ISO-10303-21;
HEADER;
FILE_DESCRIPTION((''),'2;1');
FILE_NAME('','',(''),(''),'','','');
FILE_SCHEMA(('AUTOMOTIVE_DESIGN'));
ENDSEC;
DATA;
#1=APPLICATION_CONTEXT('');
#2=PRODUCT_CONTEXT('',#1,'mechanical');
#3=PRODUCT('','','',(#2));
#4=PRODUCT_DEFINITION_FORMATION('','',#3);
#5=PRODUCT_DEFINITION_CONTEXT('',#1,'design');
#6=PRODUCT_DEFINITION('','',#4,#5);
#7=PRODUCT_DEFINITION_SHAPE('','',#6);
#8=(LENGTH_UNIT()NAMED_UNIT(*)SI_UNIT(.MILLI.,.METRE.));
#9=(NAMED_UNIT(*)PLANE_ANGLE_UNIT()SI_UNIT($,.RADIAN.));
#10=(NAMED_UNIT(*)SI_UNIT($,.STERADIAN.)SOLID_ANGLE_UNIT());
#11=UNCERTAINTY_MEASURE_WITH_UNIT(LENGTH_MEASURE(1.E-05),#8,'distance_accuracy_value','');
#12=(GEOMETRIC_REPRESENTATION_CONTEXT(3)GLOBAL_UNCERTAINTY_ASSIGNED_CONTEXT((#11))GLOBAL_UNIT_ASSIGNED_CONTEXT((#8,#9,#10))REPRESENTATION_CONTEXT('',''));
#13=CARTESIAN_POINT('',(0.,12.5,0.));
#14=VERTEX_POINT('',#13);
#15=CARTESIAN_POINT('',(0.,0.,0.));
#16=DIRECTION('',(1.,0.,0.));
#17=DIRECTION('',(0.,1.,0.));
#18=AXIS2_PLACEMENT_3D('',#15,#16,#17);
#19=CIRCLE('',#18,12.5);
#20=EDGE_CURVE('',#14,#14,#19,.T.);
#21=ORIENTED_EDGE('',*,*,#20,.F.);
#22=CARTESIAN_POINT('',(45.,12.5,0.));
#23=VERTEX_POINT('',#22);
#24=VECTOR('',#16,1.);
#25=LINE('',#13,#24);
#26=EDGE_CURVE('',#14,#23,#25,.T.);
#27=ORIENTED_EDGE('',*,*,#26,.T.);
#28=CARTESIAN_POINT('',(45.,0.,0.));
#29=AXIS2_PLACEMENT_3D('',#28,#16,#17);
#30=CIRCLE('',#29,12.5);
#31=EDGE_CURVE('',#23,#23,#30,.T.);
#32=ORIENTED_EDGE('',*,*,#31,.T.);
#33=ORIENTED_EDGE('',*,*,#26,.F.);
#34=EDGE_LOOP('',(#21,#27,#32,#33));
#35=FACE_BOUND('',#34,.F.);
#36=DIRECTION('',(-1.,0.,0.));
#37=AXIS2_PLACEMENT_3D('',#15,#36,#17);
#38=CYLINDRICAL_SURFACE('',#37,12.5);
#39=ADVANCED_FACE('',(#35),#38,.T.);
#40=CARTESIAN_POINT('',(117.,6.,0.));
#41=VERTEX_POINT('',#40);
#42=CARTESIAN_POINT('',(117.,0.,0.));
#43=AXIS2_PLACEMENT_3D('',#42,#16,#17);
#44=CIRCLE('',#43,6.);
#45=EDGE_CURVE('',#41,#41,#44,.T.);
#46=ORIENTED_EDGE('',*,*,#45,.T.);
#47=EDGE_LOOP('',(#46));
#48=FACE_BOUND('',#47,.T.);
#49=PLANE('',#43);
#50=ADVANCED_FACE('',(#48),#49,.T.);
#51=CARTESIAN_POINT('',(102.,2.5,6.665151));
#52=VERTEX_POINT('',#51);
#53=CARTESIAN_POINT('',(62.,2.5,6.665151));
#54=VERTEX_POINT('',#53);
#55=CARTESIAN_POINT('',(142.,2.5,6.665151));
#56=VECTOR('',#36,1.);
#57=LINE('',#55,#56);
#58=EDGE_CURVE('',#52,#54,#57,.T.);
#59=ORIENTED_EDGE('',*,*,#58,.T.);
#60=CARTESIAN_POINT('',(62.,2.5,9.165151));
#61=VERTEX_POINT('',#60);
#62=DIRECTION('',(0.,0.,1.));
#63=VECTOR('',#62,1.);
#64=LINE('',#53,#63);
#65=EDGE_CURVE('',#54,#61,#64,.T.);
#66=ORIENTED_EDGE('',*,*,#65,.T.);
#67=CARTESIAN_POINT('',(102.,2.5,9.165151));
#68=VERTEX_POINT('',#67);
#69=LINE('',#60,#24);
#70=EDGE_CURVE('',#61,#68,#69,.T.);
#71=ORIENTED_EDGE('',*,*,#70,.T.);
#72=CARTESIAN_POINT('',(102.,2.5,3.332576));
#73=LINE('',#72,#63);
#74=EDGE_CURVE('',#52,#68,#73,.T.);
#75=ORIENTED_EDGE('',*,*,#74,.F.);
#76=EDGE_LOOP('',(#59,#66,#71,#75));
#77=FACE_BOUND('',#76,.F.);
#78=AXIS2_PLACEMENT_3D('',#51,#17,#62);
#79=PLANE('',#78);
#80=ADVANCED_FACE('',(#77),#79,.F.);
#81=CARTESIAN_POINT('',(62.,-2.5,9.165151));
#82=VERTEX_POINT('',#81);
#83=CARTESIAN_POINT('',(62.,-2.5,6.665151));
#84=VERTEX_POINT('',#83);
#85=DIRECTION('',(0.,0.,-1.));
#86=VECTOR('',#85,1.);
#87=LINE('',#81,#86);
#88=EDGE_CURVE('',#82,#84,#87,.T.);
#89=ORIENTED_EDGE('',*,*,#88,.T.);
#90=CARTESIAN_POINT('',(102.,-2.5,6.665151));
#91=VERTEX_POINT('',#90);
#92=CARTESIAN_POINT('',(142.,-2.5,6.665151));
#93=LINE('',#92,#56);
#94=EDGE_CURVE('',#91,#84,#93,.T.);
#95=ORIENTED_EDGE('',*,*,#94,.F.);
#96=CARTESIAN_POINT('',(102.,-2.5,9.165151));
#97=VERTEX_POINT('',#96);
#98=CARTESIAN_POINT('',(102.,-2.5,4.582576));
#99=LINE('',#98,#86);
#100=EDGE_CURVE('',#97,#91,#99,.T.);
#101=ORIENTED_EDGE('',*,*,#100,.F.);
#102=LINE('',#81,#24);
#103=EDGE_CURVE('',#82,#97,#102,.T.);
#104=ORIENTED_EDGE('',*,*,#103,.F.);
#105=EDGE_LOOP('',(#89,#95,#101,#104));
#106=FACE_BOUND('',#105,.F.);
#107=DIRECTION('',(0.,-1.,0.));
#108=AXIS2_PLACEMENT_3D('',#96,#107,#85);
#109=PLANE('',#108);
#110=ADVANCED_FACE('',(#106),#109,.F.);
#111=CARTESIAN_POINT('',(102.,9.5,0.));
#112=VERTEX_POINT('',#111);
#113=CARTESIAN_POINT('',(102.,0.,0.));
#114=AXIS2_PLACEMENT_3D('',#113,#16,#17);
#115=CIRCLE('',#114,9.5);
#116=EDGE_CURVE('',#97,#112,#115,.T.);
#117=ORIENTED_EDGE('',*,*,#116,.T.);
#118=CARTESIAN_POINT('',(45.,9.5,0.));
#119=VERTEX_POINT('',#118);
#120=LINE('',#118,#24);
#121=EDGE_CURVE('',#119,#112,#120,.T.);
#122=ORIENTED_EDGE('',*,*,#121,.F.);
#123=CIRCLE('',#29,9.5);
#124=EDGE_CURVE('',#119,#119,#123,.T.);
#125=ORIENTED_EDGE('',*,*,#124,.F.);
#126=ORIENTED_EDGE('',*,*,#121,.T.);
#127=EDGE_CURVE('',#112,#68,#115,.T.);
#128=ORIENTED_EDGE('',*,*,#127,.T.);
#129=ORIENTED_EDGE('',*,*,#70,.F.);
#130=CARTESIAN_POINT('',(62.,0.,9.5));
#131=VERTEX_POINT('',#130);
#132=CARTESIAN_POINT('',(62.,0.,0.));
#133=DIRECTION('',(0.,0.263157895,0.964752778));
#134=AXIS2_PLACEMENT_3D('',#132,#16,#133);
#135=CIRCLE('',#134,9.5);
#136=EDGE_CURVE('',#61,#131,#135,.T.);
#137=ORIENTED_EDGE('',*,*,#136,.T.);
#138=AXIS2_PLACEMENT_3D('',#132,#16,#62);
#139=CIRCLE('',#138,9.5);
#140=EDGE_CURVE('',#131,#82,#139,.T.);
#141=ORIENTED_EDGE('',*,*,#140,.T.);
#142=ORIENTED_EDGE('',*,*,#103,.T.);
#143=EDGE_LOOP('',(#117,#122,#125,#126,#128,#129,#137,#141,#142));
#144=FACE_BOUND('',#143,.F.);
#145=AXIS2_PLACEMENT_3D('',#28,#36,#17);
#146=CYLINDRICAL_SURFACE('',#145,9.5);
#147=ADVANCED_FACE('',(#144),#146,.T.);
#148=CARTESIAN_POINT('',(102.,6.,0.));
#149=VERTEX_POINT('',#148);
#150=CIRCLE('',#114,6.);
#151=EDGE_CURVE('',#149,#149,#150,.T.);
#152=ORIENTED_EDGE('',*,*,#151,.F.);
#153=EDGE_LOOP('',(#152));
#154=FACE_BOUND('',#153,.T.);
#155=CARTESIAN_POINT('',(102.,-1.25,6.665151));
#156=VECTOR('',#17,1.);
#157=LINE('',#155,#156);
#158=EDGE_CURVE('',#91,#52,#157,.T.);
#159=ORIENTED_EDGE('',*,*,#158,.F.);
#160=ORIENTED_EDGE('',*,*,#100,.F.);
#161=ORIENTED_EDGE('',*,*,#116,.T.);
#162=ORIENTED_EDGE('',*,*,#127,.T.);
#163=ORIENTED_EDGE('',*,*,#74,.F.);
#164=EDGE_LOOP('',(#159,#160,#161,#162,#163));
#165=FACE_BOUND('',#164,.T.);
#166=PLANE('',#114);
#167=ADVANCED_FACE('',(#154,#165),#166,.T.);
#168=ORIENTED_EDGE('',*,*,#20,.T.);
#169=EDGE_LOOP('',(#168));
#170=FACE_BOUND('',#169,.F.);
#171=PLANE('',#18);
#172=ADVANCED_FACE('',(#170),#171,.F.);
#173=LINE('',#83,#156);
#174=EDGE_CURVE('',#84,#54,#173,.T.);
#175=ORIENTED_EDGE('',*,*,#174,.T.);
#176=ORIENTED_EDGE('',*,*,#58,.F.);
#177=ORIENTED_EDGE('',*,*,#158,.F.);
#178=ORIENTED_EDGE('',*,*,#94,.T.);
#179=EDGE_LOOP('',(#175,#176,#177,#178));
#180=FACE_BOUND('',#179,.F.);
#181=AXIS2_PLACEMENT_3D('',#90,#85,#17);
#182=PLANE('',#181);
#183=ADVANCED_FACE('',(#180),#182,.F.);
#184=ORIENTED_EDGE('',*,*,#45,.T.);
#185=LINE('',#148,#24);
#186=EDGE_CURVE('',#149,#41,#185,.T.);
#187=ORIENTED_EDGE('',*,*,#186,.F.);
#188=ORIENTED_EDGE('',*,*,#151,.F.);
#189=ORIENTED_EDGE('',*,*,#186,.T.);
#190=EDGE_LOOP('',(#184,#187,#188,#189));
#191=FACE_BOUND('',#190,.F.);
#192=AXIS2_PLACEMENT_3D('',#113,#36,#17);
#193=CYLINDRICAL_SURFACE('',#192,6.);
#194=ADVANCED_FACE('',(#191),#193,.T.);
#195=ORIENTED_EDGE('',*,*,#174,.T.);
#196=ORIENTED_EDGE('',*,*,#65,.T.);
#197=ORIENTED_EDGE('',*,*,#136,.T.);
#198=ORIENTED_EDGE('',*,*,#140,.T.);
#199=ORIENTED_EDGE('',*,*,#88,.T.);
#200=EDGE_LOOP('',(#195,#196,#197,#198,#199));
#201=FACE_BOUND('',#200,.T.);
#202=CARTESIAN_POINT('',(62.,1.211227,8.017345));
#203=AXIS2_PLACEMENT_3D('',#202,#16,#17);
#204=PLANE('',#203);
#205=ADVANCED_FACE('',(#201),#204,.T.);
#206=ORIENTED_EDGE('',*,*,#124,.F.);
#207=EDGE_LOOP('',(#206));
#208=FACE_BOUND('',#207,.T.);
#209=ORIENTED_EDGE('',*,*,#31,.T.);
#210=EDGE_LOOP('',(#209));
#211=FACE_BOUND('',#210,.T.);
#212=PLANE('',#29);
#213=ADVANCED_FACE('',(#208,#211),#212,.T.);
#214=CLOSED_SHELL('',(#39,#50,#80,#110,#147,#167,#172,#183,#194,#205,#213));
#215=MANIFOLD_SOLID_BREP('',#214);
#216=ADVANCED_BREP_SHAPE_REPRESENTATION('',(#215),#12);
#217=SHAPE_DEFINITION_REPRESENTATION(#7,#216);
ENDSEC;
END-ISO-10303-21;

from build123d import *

# Parameters (mm, degrees)
F0_R     = 12.5
F1_DEPTH = 45
F2_R     = 9.5
F3_DEPTH = 57
F4_R     = 6
F5_DEPTH = 15
F6_DEPTH = 40


with BuildPart() as f1:
    # F0 (on Right) → F1 (new body)
    with BuildSketch(Plane.YZ):
        Circle(F0_R)
    extrude(amount=F1_DEPTH)

    # F2 (on face) → F3 (join)
    with BuildSketch(Plane.YZ.offset(45)):
        Circle(F2_R)
    extrude(amount=F3_DEPTH)

    # F4 (on face) → F5 (join)
    with BuildSketch(Plane.YZ.offset(102)):
        Circle(F4_R)
    extrude(amount=F5_DEPTH)

    # F4 (on face) → F6 (cut, symmetric)
    with BuildSketch(Plane.YZ.offset(102)):
        with BuildLine():
            Line((0, 9.5), (0, 6.6651513899))
            Line((0, 6.6651513899), (2.5, 6.6651513899))
            Line((2.5, 6.6651513899), (2.5, 9.1651513899))
            ThreePointArc((2.5, 9.1651513899), (1.2611625184, 9.4159157336), (0, 9.5))
        make_face()
        with BuildLine():
            Line((-2.5, 9.1651513899), (-2.5, 6.6651513899))
            Line((-2.5, 6.6651513899), (0, 6.6651513899))
            Line((0, 6.6651513899), (0, 9.5))
            ThreePointArc((0, 9.5), (-1.2611625184, 9.4159157336), (-2.5, 9.1651513899))
        make_face()
    extrude(amount=F6_DEPTH, both=True, mode=Mode.SUBTRACT)


solid = f1.part
